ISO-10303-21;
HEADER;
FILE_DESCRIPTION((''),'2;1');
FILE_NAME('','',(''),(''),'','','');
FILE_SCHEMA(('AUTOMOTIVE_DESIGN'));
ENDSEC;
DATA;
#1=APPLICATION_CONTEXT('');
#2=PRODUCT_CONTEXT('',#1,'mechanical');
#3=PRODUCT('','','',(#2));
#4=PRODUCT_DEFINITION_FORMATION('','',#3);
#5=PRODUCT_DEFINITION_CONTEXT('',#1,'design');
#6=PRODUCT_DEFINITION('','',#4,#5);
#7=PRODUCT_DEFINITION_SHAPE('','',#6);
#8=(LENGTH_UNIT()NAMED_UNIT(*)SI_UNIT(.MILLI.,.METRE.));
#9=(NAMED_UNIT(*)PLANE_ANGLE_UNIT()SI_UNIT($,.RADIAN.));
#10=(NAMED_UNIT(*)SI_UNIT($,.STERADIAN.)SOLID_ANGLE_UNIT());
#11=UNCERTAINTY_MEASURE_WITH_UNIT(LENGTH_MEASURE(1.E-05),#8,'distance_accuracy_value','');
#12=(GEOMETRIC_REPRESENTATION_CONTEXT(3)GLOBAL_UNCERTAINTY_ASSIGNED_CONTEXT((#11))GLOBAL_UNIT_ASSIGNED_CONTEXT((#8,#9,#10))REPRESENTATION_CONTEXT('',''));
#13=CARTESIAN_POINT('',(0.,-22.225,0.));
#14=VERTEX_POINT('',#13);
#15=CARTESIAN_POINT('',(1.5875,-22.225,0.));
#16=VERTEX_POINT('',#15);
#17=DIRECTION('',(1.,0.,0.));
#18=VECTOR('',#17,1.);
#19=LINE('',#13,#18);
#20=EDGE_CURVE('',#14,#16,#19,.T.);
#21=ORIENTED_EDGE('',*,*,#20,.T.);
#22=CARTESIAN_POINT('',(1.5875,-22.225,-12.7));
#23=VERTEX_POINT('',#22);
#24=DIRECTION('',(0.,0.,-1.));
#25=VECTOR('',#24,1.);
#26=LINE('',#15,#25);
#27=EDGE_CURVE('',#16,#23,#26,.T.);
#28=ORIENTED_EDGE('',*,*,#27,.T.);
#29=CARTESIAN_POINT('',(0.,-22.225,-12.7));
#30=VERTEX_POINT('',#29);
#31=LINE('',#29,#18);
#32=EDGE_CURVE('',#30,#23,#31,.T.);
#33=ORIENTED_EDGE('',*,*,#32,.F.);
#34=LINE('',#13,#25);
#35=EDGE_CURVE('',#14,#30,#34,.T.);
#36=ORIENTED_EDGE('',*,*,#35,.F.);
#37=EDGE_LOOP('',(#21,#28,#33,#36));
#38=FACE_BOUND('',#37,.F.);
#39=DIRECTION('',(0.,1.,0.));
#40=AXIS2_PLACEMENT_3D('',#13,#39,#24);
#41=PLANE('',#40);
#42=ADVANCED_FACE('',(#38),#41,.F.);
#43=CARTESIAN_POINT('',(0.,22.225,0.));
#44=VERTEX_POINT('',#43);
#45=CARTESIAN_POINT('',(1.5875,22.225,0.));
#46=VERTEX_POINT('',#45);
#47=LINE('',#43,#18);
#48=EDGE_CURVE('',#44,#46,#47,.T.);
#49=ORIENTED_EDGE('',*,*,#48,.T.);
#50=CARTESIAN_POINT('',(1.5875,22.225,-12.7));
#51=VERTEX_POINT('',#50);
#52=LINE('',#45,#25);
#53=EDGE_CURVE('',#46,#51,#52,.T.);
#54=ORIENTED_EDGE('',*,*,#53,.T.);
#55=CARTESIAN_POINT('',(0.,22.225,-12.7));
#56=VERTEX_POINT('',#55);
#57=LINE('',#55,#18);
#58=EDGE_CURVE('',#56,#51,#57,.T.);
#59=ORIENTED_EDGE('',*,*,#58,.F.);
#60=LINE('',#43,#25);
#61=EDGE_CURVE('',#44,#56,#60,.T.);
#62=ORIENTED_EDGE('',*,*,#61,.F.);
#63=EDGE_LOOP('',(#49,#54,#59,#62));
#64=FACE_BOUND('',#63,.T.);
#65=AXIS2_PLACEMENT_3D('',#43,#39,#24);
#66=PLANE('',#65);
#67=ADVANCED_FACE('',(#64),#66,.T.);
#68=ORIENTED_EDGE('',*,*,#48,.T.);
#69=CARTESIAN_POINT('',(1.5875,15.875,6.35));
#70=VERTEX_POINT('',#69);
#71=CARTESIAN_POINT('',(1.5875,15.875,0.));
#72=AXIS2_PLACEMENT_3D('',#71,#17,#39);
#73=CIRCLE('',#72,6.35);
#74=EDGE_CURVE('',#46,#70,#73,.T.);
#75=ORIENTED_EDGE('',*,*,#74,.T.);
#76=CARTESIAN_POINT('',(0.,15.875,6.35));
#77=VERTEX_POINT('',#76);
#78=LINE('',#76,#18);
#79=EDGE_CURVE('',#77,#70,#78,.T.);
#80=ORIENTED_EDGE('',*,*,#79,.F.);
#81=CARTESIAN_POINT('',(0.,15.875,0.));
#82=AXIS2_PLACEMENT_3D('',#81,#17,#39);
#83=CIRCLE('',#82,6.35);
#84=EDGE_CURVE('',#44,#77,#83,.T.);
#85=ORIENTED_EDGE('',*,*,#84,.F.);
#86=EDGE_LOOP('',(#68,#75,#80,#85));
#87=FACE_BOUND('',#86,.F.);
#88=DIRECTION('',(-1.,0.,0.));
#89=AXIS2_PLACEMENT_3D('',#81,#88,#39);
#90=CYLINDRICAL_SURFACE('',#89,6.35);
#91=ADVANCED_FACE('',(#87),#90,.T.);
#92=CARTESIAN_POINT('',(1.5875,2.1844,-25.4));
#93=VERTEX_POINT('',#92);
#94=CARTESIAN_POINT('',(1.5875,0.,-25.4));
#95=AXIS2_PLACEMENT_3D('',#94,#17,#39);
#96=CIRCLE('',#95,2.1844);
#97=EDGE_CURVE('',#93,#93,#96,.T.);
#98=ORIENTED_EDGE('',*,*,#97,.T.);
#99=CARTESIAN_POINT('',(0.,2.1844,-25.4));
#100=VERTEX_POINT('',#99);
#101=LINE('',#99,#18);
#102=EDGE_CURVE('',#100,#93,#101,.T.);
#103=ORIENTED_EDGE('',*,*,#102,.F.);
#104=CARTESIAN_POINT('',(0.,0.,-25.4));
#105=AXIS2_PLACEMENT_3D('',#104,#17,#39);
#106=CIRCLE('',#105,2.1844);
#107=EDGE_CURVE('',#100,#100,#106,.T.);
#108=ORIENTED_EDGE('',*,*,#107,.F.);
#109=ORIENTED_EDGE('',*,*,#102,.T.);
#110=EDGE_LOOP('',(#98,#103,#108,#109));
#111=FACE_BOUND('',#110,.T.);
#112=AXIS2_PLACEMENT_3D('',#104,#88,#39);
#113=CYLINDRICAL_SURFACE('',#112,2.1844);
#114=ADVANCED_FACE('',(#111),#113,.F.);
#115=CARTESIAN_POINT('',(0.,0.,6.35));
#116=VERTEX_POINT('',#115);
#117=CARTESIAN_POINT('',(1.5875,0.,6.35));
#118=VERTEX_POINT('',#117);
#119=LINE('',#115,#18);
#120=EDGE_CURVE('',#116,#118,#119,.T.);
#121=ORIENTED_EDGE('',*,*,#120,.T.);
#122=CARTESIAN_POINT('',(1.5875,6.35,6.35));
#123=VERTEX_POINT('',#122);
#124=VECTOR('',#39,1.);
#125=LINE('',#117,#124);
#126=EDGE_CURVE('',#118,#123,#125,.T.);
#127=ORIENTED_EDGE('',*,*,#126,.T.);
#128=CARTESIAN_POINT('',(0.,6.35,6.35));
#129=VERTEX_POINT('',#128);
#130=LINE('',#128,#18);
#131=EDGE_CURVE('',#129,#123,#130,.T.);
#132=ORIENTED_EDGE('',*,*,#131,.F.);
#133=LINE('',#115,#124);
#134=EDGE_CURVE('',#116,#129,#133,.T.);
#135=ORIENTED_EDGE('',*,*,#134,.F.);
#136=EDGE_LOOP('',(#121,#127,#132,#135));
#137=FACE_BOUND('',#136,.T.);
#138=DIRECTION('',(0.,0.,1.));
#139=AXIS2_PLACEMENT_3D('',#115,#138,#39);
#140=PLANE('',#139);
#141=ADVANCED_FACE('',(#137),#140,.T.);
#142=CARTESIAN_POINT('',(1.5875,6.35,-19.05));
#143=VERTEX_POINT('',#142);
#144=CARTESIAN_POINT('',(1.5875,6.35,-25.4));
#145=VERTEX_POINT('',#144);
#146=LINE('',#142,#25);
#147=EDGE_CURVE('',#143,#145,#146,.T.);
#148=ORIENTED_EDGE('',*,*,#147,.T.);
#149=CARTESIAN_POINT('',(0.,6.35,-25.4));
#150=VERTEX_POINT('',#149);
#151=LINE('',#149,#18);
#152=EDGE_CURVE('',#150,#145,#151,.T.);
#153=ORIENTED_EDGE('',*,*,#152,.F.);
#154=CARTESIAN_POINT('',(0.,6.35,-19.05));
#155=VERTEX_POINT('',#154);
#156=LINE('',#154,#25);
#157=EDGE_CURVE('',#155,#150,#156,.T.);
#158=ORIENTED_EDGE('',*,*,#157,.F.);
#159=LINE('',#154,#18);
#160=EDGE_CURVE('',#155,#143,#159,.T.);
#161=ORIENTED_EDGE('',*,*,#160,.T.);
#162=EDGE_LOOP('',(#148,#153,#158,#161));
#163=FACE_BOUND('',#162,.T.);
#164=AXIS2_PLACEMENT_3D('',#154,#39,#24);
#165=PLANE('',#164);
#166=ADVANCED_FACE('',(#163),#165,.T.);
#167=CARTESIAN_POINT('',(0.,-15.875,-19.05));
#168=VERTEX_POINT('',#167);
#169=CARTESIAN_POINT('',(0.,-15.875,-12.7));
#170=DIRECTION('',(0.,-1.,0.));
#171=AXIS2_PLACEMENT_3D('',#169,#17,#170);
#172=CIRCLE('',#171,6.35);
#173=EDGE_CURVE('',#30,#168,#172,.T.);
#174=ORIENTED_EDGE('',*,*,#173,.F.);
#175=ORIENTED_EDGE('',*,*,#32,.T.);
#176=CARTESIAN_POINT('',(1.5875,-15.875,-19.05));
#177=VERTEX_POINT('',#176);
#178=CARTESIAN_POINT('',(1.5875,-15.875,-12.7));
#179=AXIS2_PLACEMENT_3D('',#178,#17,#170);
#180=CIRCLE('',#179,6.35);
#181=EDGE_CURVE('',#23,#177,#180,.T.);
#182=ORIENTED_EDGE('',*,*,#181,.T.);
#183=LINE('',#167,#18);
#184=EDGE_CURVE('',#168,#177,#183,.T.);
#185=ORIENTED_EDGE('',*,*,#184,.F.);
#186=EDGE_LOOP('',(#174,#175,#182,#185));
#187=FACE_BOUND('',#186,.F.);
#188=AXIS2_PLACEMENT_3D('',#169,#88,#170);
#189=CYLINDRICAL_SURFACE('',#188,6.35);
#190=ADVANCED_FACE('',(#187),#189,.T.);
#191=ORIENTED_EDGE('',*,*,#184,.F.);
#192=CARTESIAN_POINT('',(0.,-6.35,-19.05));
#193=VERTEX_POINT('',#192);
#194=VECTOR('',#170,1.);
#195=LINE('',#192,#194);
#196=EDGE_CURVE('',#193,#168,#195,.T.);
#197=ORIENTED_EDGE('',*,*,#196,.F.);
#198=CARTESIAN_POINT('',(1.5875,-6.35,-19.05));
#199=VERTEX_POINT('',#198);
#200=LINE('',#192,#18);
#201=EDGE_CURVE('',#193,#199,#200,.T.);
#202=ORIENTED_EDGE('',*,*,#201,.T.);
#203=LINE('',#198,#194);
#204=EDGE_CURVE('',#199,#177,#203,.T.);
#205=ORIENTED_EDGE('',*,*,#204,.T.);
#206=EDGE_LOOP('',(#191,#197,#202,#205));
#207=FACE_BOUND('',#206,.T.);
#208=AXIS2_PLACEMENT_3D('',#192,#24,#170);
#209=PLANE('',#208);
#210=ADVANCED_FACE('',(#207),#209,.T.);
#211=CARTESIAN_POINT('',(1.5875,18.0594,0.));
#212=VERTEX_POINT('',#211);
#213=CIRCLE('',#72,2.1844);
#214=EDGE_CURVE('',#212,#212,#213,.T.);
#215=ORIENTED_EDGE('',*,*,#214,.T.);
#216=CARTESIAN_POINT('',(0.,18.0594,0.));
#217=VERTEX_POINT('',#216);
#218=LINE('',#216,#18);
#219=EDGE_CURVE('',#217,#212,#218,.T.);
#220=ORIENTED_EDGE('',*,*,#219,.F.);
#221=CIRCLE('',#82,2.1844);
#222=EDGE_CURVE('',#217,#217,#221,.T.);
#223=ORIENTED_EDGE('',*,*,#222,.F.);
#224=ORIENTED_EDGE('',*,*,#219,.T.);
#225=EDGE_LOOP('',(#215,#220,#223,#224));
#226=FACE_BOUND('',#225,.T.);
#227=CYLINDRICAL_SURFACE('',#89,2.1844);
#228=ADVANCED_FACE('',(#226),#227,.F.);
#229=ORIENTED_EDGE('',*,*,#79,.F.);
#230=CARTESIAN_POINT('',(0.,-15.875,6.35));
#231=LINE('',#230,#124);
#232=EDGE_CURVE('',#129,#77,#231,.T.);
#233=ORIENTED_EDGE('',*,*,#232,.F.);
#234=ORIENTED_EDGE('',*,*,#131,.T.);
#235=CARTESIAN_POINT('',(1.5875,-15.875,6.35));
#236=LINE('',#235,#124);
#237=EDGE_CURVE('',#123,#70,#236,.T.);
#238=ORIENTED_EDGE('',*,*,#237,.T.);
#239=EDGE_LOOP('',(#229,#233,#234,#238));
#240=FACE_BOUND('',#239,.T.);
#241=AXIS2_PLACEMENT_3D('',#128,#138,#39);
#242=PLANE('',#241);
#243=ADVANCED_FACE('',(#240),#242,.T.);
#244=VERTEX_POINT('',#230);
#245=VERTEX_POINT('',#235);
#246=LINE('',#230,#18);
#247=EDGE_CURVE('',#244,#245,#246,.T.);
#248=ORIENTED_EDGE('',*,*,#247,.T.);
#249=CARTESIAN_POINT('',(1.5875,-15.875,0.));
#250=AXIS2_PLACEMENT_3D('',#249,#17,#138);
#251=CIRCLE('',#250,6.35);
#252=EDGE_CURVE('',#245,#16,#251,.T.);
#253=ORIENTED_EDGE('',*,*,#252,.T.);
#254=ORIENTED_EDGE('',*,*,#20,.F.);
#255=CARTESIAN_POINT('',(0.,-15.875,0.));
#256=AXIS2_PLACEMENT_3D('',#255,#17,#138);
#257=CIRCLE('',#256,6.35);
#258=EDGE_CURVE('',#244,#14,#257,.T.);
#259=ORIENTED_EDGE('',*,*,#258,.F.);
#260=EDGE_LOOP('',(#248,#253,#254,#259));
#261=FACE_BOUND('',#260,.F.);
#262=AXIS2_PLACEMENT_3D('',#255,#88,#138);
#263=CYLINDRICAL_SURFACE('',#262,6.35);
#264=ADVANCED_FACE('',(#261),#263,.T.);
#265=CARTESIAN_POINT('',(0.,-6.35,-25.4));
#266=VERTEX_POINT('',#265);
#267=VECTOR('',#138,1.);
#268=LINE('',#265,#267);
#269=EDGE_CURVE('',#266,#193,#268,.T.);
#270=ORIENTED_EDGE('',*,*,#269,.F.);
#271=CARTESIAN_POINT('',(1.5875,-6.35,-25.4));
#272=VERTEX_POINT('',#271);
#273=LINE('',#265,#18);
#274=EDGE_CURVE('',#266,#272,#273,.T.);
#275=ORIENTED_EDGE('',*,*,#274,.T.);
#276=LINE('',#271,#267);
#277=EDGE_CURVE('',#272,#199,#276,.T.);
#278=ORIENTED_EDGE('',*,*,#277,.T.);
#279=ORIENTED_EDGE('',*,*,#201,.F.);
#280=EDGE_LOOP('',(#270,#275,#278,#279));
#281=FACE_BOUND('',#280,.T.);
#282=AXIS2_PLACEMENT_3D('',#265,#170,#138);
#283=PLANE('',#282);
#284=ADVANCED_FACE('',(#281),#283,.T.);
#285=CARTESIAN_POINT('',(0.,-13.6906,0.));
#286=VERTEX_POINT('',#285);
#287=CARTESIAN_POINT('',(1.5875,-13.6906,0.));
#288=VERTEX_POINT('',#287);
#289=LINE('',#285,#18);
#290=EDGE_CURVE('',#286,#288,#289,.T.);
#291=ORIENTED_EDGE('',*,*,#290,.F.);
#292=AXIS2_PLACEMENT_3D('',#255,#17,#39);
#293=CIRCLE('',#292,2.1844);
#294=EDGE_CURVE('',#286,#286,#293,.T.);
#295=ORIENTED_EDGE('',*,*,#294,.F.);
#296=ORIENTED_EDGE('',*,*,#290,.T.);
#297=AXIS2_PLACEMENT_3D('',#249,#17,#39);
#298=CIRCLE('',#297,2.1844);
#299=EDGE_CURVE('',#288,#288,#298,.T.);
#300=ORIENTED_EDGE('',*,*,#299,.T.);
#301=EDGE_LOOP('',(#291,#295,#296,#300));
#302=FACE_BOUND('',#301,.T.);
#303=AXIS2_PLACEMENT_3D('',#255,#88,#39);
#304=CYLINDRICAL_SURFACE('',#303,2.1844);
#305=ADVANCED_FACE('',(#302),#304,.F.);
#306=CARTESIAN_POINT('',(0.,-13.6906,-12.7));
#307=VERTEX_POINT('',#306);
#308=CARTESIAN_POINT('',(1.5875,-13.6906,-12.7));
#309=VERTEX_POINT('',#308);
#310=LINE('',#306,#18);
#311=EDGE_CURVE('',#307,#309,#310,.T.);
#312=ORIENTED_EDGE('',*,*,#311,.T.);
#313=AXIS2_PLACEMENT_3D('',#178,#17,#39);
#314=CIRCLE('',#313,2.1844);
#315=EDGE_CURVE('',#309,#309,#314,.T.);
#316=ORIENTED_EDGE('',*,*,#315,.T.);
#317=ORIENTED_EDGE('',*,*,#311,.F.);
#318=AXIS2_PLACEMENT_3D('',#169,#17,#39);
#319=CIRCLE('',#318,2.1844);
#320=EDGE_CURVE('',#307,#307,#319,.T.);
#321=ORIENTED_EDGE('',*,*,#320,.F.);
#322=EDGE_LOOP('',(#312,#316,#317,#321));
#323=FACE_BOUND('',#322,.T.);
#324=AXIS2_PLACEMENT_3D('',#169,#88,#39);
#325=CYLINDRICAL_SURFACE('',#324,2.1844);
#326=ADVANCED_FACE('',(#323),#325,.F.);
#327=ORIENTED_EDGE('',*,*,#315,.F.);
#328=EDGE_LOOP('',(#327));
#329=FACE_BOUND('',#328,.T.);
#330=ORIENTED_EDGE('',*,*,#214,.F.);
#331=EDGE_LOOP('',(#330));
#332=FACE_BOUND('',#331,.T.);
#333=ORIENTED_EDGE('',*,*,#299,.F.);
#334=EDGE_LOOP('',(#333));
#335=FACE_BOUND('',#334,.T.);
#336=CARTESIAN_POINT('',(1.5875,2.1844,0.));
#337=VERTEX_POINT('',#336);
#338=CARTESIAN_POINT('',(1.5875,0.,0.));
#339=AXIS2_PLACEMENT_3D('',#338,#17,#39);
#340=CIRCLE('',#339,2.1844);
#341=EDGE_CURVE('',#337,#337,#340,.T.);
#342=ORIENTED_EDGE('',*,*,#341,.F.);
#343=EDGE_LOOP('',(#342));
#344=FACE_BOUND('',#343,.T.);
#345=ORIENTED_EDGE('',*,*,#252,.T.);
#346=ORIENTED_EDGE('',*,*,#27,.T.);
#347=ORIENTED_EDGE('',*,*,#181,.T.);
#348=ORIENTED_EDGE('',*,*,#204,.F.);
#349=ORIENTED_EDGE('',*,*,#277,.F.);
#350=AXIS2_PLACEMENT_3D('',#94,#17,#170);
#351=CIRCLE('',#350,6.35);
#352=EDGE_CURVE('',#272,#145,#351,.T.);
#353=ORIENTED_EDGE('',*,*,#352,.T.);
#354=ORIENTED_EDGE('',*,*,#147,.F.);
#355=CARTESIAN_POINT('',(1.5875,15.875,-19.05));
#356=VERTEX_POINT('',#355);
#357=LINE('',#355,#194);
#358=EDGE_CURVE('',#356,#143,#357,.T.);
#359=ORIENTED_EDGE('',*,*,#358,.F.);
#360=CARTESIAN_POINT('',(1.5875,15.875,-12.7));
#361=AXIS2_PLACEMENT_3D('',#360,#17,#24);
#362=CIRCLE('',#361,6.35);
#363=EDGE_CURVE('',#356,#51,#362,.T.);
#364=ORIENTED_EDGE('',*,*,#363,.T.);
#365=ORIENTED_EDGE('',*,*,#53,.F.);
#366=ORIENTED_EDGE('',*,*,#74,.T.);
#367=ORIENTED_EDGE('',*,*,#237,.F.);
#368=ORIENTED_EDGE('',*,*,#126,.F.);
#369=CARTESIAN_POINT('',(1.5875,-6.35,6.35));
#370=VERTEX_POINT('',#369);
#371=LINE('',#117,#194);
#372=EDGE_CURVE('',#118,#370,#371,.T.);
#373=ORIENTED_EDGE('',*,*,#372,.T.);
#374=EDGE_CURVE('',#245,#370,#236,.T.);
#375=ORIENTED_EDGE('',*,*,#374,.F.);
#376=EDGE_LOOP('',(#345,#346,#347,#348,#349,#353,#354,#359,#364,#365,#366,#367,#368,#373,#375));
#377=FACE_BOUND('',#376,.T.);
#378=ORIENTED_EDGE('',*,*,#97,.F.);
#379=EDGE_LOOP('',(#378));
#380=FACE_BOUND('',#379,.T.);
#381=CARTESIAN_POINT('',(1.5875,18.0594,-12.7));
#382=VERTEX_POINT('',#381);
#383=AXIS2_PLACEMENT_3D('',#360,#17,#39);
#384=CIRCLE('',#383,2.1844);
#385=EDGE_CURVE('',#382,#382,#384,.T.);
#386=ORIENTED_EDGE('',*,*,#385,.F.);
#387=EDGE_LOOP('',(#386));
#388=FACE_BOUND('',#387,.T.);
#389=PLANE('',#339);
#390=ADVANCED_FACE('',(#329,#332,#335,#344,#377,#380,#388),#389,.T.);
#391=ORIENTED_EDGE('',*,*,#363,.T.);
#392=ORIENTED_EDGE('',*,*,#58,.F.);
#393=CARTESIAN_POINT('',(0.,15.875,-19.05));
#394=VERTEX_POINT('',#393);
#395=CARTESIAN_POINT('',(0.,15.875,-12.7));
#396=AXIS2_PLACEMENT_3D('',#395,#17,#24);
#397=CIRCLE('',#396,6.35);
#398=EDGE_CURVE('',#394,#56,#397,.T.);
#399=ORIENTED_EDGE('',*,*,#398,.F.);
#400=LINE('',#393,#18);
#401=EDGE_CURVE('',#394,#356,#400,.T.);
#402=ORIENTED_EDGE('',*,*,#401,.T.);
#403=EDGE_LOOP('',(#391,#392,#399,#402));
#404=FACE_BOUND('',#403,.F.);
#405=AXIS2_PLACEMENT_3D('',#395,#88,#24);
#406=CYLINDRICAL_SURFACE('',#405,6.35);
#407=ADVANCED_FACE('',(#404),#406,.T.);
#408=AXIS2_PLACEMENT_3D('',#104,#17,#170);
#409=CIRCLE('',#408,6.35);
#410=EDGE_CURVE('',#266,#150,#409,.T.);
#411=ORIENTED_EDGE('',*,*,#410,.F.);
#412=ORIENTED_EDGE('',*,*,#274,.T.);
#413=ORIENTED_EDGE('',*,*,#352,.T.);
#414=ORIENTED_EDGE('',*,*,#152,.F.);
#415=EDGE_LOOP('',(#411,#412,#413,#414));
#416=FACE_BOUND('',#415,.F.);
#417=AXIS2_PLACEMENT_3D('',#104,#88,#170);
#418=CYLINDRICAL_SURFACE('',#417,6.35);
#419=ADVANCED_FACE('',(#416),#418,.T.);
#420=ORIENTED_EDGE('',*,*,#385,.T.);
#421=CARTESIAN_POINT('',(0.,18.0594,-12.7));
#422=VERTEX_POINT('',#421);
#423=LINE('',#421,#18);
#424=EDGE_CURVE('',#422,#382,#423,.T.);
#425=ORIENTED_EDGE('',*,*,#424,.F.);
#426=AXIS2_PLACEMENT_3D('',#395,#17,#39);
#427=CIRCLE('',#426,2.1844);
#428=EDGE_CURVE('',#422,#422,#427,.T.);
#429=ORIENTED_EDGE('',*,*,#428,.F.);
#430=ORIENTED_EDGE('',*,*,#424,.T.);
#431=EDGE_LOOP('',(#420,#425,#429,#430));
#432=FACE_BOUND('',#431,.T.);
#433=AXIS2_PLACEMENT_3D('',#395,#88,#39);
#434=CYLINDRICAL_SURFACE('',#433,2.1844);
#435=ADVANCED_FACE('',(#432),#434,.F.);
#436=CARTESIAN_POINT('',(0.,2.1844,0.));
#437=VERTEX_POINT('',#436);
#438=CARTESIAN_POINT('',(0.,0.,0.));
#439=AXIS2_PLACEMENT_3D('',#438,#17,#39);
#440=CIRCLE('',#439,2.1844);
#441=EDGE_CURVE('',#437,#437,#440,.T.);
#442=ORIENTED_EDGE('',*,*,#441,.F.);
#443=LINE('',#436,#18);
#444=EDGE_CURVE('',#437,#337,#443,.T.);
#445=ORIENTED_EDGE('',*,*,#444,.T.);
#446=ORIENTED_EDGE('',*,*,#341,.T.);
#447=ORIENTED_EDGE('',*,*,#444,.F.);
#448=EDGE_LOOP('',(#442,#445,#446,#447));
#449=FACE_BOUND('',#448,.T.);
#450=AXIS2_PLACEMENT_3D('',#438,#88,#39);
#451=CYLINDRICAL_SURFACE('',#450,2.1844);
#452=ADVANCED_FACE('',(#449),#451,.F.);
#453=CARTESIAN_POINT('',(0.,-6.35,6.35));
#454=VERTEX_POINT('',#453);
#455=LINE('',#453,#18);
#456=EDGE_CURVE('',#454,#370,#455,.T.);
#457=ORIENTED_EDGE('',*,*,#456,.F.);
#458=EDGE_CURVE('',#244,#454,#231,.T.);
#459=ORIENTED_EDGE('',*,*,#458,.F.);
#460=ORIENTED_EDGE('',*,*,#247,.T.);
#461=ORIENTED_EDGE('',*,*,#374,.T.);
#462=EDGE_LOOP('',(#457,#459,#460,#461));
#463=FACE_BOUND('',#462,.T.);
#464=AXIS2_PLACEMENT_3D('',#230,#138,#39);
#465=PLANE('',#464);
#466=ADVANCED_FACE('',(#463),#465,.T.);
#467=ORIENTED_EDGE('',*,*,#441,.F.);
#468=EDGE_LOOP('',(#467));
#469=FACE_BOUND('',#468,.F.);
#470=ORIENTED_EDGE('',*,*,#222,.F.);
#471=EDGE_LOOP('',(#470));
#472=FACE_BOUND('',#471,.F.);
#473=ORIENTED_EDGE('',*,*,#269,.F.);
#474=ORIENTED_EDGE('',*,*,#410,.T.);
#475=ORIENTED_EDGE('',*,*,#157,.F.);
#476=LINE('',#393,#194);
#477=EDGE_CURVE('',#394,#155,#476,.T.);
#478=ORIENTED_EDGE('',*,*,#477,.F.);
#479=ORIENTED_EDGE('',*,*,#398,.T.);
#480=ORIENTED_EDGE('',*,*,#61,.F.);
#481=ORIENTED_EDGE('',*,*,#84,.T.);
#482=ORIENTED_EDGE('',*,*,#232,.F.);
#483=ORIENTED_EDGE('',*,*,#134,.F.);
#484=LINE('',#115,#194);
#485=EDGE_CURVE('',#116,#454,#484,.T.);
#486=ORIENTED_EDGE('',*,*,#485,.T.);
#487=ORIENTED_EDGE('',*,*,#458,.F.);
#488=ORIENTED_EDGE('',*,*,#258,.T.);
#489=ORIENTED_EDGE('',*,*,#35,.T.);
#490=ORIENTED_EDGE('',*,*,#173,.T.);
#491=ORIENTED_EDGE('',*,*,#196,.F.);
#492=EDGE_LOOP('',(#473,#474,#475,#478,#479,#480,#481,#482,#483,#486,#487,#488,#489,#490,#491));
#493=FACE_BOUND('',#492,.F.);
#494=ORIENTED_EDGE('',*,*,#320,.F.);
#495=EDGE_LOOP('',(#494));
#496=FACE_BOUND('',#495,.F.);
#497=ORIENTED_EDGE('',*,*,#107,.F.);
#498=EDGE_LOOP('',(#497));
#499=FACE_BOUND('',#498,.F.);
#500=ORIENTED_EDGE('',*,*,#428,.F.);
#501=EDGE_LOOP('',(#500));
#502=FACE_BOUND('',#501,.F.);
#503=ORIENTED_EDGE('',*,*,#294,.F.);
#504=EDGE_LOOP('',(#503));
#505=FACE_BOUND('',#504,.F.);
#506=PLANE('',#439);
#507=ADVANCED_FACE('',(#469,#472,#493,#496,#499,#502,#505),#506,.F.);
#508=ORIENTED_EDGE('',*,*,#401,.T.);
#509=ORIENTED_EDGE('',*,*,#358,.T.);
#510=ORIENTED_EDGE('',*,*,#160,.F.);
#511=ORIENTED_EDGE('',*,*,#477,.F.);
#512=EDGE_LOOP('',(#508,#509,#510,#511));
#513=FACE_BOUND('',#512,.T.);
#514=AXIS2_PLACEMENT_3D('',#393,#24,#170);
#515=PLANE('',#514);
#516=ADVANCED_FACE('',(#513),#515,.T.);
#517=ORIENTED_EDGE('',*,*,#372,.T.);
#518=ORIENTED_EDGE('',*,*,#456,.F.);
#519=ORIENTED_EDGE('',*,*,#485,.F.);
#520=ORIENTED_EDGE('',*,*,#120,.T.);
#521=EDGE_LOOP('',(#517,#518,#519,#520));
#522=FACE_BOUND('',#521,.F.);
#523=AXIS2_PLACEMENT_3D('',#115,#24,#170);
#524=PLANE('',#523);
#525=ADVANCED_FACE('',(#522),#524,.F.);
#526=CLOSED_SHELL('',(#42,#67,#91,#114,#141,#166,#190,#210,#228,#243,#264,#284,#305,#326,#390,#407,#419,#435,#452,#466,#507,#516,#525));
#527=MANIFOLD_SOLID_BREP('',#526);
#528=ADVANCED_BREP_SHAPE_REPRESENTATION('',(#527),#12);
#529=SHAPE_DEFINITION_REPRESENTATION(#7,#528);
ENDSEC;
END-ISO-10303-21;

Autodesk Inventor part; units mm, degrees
ref_plane "YZ Plane" through (0, 0, 0) normal (1, 0, 0) x (0, 1, 0)
ref_plane "XZ Plane" through (0, 0, 0) normal (0, 1, 0) x (-1, 0, 0)
ref_plane "XY Plane" through (0, 0, 0) normal (0, 0, 1) x (1, 0, 0)
sketch "Sketch1" plane through (0, 0, 0) normal (1, 0, 0) x (0, 1, 0)
  arc A0 (-6.35, -25.4) -> (6.35, -25.4) centre (0, -25.4) ccw
  line L0 (-6.35, -19.05) -> (-15.875, -19.05)
  circle A1 centre (-15.875, -12.7) radius 2.1844
  arc A2 (-22.225, -12.7) -> (-15.875, -19.05) centre (-15.875, -12.7) ccw
  line L1 (-6.35, -25.4) -> (-6.35, -19.05)
  circle A3 centre (15.875, -12.7) radius 2.1844
  arc A4 (15.875, -19.05) -> (22.225, -12.7) centre (15.875, -12.7) ccw
  line L2 (15.875, -19.05) -> (6.35, -19.05)
  line L3 (6.35, -19.05) -> (6.35, -25.4)
  circle A5 centre (0, 0) radius 2.1844
  circle A6 centre (0, -25.4) radius 2.1844
  line L4 (0, 6.35) -> (6.35, 6.35)
  line L5 (0, 6.35) -> (-6.35, 6.35)
  line L6 (-15.875, 6.35) -> (15.875, 6.35)
  line L7 (22.225, 0) -> (22.225, -12.7)
  line L8 (-6.35, 6.35) -> (-15.875, 6.35)
  line L9 (-22.225, 0) -> (-22.225, -12.7)
  circle A7 centre (15.875, 0) radius 2.1844
  circle A8 centre (-15.875, 0) radius 2.1844
  arc A9 (-15.875, 6.35) -> (-22.225, 0) centre (-15.875, 0) ccw
  arc A10 (22.225, 0) -> (15.875, 6.35) centre (15.875, 0) ccw
  dimension "d22" = 4.3688
  dimension "d23" = 4.3688
  dimension "d25" = 4.3688
  dimension "d27" = 4.3688
  dimension "d28" = 6.35
extrude "Extrusion1" add sketch "Sketch1" along normal blind 1.5875
properties part number "polygusset"
